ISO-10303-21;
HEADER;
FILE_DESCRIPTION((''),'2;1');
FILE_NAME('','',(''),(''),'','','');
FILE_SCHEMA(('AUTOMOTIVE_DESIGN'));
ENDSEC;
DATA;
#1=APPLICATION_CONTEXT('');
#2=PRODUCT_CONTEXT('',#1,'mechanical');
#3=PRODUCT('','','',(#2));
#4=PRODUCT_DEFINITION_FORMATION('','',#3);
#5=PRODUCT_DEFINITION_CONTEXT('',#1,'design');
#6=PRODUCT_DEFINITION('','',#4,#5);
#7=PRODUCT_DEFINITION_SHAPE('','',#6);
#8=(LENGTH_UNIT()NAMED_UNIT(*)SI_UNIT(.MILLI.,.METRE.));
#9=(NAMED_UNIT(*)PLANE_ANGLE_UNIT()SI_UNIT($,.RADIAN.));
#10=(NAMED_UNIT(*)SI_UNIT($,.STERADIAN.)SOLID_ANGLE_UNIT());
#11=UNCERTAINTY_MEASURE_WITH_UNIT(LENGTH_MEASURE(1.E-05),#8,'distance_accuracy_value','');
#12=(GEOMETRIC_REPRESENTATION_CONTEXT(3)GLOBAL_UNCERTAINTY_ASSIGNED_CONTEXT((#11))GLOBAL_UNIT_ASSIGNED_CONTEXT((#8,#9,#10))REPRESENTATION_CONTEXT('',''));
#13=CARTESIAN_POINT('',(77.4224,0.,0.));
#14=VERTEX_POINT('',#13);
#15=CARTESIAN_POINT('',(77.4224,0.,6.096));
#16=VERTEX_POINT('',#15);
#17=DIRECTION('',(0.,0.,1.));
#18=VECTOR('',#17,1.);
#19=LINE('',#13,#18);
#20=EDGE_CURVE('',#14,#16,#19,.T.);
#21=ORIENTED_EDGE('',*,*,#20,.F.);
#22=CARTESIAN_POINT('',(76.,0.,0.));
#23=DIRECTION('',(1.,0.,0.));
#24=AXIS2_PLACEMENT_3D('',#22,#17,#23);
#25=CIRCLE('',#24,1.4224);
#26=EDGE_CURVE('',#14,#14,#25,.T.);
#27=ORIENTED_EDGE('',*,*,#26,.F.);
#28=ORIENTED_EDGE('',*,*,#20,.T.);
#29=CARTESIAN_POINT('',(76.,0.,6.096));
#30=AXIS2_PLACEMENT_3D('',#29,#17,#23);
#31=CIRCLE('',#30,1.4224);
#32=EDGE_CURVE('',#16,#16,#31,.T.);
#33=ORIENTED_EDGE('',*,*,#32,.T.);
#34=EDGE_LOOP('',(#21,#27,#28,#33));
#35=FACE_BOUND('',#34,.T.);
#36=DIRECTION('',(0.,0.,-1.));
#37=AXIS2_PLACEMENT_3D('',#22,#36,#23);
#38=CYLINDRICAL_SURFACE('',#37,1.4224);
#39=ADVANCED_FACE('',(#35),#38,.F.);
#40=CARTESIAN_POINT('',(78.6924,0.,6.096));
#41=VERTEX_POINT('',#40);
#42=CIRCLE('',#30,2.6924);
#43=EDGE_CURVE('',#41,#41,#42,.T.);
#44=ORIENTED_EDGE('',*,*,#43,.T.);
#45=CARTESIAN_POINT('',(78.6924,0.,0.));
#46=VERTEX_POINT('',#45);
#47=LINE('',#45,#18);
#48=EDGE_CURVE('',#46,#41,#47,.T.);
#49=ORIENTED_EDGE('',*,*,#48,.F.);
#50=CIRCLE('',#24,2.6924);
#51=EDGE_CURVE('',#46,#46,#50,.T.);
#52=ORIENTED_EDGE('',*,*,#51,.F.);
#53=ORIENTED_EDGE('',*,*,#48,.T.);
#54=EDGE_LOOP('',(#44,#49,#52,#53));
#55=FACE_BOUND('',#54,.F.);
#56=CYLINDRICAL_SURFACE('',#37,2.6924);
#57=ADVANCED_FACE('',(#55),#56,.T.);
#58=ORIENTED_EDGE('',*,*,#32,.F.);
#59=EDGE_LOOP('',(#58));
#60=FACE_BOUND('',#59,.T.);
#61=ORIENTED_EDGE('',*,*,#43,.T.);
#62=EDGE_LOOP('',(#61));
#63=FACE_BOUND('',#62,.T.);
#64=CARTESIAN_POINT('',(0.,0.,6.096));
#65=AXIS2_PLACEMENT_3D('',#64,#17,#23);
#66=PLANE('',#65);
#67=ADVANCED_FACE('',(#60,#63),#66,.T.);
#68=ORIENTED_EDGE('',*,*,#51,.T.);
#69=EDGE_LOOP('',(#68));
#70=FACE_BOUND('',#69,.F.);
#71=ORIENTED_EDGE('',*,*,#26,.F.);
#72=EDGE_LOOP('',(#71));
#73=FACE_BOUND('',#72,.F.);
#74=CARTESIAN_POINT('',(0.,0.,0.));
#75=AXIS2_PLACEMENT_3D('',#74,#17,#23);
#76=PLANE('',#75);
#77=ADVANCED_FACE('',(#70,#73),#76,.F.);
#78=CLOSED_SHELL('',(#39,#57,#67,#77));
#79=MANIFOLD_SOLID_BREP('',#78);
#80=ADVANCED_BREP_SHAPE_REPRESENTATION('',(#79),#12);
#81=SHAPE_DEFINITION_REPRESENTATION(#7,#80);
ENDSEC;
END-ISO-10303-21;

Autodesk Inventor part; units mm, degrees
ref_plane "YZ Plane" through (0, 0, 0) normal (1, 0, 0) x (0, 1, 0)
ref_plane "XZ Plane" through (0, 0, 0) normal (0, 1, 0) x (-1, 0, 0)
ref_plane "XY Plane" through (0, 0, 0) normal (0, 0, 1) x (1, 0, 0)
ref_plane "Work Plane1" through (0, 0, 0) normal (0, 0, 1) x (1, 0, 0)
sketch "Sketch1" plane through (0, 0, 0) normal (0, 0, 1) x (1, 0, 0)
  circle A0 centre (76, 0) radius 1.4224 projected
  circle A1 centre (76, 0) radius 2.6924
  point P0 (0, 0)
  dimension "d2" = 1.27
extrude "Extrusion1" add sketch "Sketch1" along normal blind 6.096
properties part number "odroidstandoff"
